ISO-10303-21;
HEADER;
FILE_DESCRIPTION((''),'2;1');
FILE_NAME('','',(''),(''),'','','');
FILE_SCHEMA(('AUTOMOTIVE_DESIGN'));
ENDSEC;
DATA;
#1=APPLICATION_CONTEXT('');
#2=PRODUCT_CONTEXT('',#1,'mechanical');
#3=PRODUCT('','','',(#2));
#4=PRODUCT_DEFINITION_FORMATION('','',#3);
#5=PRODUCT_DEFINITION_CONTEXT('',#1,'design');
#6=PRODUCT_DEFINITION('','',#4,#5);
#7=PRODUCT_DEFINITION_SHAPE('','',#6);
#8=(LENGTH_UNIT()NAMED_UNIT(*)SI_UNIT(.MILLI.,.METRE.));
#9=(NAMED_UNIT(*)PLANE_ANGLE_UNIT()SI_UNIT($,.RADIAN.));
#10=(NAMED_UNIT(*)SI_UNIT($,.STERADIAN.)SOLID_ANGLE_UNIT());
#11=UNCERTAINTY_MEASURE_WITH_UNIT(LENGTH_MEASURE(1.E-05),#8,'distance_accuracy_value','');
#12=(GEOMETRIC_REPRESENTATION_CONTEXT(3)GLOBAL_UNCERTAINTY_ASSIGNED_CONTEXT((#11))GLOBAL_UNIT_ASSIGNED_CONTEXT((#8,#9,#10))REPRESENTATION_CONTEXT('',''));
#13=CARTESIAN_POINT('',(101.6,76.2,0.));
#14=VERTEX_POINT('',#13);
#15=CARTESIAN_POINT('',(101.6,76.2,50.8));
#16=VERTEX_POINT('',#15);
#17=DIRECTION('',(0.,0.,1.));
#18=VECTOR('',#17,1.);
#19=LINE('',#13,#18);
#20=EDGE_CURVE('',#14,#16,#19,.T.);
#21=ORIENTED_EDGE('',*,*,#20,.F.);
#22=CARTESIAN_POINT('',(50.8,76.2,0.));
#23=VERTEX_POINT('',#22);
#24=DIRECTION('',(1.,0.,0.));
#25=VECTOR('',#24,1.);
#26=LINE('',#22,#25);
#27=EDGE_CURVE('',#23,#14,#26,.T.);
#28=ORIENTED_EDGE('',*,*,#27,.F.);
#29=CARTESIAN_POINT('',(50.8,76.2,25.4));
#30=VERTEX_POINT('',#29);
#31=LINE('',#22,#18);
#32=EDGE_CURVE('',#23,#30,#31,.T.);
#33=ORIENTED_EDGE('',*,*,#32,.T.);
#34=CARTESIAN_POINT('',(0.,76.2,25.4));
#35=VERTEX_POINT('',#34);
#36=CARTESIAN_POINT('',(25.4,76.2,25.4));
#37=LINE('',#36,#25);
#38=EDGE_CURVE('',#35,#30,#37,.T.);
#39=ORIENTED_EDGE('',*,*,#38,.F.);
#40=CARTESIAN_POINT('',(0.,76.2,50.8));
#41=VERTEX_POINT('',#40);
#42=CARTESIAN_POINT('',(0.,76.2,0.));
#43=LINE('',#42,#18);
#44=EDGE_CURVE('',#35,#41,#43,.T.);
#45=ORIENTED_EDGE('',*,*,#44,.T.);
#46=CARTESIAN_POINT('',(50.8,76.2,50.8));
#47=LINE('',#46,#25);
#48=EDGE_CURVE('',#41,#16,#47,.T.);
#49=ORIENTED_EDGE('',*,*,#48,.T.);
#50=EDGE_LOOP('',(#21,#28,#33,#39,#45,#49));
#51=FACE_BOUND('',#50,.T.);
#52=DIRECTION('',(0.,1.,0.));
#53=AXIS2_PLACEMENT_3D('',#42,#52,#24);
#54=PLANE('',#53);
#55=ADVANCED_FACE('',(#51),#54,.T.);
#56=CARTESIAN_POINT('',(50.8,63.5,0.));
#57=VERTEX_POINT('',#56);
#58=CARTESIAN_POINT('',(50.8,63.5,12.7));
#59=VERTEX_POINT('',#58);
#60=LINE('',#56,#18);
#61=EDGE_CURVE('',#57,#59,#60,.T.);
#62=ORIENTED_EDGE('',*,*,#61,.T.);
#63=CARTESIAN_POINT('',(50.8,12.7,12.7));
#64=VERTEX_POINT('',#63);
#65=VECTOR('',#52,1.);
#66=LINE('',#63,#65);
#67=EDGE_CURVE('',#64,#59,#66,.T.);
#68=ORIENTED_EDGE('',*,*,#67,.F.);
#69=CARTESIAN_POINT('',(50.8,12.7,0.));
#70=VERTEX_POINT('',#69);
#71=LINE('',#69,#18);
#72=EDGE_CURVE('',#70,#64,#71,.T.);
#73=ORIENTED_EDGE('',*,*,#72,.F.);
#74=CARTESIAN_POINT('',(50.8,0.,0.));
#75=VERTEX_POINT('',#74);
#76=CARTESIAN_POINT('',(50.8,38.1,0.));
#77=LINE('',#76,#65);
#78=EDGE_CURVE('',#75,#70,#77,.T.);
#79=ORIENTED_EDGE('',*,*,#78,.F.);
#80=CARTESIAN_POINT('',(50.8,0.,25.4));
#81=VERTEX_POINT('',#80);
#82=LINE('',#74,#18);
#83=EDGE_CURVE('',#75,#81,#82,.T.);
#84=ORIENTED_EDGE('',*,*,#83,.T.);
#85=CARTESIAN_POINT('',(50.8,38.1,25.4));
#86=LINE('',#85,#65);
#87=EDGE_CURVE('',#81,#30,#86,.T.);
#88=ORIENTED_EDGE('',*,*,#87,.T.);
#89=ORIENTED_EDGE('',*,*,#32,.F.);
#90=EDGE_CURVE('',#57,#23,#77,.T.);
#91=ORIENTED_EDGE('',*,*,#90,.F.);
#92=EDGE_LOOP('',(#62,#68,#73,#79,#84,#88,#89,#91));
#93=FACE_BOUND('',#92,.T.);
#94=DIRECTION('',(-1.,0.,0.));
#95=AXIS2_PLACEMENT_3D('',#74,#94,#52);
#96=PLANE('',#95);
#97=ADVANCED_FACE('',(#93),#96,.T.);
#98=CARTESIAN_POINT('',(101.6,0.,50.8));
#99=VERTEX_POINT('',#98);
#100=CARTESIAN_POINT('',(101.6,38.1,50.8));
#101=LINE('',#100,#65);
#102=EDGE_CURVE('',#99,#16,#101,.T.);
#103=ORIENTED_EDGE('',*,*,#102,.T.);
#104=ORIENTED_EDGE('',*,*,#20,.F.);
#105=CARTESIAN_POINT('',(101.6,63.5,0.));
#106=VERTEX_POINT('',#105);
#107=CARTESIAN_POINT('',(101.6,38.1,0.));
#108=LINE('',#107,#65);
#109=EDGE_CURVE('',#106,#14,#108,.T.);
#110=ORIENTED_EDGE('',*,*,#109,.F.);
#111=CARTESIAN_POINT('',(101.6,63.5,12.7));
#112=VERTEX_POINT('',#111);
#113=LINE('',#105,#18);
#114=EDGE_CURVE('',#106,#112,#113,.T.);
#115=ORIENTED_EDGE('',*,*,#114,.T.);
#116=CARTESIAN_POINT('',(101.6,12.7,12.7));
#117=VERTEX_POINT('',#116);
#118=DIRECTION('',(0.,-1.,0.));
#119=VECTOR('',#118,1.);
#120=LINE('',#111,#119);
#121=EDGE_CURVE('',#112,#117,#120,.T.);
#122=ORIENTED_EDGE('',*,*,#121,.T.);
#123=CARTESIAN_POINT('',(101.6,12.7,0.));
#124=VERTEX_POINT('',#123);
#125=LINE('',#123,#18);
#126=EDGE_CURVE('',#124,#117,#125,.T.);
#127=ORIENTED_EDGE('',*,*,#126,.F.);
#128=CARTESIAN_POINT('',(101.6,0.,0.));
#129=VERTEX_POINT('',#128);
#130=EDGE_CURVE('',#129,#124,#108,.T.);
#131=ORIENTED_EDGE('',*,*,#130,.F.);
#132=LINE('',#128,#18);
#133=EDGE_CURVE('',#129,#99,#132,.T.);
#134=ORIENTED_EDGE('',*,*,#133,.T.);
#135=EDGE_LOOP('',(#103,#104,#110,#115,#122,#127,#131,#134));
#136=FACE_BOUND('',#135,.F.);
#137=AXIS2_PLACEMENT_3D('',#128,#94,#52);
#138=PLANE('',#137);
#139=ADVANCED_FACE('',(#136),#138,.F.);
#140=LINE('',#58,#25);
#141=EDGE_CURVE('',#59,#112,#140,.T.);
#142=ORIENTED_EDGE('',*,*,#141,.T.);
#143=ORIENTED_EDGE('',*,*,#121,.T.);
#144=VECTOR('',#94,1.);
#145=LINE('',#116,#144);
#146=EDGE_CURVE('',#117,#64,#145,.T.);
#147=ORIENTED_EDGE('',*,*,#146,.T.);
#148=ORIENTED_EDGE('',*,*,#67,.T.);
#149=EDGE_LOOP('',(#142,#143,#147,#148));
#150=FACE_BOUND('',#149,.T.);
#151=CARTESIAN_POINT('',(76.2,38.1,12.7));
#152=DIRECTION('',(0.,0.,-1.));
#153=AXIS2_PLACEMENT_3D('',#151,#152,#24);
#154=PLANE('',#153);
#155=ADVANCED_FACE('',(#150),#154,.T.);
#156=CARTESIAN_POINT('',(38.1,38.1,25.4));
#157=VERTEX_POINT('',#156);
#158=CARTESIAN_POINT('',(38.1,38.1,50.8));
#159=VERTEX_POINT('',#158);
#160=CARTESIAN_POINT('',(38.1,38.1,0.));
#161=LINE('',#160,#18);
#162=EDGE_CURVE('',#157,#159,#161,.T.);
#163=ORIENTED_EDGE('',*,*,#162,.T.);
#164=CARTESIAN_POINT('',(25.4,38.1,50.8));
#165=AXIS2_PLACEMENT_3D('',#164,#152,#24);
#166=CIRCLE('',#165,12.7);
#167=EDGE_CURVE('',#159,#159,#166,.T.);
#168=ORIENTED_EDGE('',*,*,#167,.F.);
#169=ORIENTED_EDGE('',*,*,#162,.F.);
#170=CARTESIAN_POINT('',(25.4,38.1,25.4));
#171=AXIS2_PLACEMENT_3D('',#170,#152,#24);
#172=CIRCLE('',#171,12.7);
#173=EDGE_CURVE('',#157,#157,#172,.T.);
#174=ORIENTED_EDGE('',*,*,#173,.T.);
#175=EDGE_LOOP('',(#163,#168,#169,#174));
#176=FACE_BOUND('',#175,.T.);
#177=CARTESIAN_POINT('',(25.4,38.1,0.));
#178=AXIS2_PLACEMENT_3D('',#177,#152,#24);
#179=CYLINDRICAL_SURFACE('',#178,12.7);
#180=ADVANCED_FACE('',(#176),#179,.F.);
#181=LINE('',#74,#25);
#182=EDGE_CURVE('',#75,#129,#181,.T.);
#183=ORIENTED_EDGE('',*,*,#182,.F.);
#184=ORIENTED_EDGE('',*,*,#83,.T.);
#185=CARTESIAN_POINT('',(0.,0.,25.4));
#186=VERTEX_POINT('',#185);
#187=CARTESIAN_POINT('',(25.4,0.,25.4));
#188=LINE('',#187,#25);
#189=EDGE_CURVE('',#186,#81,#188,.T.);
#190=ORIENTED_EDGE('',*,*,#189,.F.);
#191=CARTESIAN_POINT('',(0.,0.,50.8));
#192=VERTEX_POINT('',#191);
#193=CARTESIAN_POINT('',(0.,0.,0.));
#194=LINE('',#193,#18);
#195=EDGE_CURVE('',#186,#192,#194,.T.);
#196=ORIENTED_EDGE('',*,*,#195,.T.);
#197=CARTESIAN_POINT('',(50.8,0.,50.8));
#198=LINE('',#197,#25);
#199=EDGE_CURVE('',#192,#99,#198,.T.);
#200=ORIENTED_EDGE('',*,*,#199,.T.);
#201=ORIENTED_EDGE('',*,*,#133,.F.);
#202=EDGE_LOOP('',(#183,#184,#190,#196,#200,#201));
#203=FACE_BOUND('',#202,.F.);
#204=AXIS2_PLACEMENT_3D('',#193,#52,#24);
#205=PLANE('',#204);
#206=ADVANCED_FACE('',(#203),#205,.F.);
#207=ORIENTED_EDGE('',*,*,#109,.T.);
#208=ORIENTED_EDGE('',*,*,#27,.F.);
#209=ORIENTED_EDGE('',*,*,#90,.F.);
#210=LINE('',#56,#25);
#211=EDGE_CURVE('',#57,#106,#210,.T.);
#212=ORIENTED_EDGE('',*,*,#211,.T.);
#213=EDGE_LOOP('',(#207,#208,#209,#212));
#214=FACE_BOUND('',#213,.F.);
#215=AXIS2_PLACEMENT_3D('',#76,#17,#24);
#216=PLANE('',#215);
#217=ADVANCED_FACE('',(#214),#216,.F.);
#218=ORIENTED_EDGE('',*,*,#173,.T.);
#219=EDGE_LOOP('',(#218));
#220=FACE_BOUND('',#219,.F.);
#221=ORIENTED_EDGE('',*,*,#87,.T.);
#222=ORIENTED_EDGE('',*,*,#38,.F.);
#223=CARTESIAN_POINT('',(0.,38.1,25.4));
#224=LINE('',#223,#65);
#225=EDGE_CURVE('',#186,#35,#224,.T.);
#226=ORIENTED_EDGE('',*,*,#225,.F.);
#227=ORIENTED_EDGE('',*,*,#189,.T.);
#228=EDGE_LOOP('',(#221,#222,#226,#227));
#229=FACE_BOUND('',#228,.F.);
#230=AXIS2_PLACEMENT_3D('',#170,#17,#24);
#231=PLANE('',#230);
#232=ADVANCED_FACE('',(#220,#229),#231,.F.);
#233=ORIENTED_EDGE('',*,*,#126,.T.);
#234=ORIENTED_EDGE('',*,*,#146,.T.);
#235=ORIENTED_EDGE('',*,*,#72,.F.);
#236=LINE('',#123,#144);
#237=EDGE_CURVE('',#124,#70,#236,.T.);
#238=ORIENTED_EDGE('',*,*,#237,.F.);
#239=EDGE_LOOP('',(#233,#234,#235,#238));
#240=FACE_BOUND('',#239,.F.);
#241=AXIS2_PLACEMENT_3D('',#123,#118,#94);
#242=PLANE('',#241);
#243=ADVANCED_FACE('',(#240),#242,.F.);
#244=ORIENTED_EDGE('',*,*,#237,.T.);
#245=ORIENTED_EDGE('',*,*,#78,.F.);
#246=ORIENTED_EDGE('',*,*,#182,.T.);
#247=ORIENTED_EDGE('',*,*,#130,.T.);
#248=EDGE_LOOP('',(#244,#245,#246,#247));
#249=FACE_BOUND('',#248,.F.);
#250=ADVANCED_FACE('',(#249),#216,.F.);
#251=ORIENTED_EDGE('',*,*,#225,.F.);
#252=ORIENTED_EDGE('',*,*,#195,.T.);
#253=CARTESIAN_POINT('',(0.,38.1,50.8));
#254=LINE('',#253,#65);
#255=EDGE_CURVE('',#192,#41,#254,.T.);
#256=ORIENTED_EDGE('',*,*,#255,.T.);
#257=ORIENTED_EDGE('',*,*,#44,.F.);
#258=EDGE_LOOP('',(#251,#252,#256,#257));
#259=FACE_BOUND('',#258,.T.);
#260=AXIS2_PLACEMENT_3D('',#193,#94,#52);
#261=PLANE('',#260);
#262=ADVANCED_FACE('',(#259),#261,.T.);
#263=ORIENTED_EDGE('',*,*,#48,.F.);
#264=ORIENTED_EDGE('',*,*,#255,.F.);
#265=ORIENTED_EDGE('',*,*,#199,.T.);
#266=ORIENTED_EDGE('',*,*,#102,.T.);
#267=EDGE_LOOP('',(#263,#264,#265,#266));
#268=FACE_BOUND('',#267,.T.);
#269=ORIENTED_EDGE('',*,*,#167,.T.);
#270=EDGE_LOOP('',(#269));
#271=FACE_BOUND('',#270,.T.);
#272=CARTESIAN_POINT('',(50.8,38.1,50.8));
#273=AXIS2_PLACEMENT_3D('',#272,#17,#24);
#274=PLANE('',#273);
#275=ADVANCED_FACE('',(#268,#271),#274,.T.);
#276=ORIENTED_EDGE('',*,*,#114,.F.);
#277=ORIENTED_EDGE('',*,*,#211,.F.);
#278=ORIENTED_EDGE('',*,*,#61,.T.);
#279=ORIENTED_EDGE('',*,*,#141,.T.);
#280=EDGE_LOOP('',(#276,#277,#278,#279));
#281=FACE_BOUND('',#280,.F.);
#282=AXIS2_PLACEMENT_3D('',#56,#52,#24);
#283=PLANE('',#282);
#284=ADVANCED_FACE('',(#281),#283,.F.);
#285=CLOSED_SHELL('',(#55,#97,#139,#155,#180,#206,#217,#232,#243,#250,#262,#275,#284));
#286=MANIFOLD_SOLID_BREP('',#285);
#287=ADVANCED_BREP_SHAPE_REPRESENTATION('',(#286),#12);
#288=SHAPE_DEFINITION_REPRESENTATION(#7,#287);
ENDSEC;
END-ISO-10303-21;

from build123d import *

# Parameters (mm, degrees)
F5_W      = 101.6
F5_H      = 76.2
F6_DEPTH  = 50.8
F7_W      = 50.8
F7_H      = 76.2
F8_DEPTH  = 25.4
F9_R      = 12.7
F10_DEPTH = 76.2
F12_DEPTH = 12.7


with BuildPart() as f6:
    # F5 (on Top) → F6 (new body)
    with BuildSketch(Plane.XY):
        with Locations((50.8, 38.1)):
            Rectangle(F5_W, F5_H)
    extrude(amount=F6_DEPTH)

    # F7 (on Top) → F8 (cut)
    with BuildSketch(Plane.XY):
        with Locations((25.4, 38.1)):
            Rectangle(F7_W, F7_H)
    extrude(amount=F8_DEPTH, mode=Mode.SUBTRACT)

    # F9 (on Top) → F10 (cut)
    with BuildSketch(Plane.XY):
        with Locations((25.4, 38.1)):
            Circle(F9_R)
    extrude(amount=F10_DEPTH, mode=Mode.SUBTRACT)

    # F11 (on face) → F12 (cut)
    with BuildSketch(Plane(origin=(0, 0, 0), x_dir=(1, 0, 0), z_dir=(0, 0, -1))):
        Polygon((101.6, -12.7), (83.254352, -12.7), (50.8, -12.7), (50.8, -63.5), (101.6, -63.5), align=None)
    extrude(amount=-F12_DEPTH, mode=Mode.SUBTRACT)


solid = f6.part
